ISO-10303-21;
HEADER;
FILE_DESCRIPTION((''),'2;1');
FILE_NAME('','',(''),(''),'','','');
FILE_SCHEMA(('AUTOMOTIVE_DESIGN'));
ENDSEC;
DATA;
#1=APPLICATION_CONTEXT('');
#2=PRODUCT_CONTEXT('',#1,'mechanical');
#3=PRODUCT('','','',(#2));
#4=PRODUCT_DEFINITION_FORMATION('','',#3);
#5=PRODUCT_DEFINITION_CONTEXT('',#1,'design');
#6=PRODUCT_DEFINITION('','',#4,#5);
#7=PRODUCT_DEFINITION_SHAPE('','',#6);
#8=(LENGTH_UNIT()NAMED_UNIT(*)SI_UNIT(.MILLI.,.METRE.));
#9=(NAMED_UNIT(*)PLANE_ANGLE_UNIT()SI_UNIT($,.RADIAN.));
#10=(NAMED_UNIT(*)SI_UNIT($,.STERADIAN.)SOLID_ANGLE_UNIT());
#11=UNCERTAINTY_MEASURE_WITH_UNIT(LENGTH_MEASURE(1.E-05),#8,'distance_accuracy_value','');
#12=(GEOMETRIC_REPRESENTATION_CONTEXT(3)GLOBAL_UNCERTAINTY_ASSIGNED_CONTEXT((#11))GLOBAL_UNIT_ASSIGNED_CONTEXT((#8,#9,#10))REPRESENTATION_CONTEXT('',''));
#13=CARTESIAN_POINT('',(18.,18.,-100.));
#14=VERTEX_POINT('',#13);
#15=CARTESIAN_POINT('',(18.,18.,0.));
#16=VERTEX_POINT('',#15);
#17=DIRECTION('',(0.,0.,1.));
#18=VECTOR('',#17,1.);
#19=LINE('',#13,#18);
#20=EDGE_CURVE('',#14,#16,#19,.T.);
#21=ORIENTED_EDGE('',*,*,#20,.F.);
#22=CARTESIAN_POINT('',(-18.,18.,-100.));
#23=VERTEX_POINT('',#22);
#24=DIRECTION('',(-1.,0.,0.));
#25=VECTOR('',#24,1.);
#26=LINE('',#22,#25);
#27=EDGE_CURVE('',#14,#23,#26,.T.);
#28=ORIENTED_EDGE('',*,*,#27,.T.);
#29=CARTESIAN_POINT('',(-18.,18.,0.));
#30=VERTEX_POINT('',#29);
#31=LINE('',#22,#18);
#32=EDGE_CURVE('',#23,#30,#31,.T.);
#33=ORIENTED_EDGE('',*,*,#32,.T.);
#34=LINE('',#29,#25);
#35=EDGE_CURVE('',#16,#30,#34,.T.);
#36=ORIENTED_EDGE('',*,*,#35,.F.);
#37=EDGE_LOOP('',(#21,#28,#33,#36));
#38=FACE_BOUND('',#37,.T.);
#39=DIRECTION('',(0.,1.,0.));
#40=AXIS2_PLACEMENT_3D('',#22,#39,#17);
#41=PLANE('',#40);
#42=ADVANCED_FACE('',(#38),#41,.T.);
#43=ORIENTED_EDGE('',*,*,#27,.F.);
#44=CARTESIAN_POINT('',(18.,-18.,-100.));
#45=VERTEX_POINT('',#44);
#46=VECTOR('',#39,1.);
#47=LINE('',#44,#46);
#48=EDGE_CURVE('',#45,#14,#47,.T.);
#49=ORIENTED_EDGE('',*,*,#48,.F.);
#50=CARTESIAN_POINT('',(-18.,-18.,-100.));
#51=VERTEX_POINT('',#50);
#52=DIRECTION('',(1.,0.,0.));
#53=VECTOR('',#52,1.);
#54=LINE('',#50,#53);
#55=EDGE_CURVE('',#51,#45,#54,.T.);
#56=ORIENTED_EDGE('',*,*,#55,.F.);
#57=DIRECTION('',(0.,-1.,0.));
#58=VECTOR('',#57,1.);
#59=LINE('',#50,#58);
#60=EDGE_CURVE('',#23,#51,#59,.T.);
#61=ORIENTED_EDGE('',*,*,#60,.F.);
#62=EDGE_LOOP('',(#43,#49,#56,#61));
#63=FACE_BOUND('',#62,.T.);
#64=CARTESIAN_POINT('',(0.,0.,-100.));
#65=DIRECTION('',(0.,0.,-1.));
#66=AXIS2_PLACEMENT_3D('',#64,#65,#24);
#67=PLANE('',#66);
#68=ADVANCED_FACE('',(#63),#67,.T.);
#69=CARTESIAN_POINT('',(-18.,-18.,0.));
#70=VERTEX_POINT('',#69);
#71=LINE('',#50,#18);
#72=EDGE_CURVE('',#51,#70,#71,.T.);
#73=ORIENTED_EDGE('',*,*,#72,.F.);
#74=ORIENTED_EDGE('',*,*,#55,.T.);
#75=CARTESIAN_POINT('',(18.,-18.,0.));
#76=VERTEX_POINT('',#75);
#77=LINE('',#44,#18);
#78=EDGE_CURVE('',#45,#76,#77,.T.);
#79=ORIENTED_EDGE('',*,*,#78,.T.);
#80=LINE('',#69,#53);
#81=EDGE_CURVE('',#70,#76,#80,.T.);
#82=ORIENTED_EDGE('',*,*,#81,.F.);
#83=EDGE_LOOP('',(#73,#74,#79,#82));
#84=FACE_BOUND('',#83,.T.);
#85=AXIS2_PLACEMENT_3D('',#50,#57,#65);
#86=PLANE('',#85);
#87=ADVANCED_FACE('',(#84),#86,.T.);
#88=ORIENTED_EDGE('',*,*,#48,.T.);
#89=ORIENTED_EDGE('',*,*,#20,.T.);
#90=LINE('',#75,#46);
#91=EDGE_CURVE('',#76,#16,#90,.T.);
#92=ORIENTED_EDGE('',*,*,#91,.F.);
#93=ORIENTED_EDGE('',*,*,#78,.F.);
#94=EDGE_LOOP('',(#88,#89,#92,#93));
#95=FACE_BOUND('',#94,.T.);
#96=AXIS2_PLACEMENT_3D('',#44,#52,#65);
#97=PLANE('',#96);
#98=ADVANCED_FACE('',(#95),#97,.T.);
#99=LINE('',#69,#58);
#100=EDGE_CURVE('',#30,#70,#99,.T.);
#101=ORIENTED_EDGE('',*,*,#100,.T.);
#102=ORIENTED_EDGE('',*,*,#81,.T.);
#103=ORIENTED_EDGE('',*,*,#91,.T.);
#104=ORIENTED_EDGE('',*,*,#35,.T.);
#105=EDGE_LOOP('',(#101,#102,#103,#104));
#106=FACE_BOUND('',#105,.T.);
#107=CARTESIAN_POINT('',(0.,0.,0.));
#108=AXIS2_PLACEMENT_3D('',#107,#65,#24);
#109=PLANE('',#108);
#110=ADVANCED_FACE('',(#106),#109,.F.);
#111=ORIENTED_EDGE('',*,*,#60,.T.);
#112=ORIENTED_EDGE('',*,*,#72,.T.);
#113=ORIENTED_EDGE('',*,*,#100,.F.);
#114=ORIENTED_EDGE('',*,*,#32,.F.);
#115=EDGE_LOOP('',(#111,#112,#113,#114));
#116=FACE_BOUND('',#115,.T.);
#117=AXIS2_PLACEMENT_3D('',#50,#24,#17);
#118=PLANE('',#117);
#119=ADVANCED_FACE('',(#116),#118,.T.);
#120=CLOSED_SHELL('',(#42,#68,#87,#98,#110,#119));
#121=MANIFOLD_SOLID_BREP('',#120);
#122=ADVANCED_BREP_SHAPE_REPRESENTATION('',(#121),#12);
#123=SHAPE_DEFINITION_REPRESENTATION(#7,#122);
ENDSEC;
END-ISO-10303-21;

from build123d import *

# Parameters (mm, degrees)
SKETCH1_W           = 36
SKETCH1_H           = 36
BOSS_EXTRUDE1_DEPTH = 100


with BuildPart() as part:
    # Sketch1 → Boss-Extrude1 (new body)
    with BuildSketch(Plane.XY):
        Rectangle(SKETCH1_W, SKETCH1_H)
    extrude(amount=-BOSS_EXTRUDE1_DEPTH)


solid = part.part
